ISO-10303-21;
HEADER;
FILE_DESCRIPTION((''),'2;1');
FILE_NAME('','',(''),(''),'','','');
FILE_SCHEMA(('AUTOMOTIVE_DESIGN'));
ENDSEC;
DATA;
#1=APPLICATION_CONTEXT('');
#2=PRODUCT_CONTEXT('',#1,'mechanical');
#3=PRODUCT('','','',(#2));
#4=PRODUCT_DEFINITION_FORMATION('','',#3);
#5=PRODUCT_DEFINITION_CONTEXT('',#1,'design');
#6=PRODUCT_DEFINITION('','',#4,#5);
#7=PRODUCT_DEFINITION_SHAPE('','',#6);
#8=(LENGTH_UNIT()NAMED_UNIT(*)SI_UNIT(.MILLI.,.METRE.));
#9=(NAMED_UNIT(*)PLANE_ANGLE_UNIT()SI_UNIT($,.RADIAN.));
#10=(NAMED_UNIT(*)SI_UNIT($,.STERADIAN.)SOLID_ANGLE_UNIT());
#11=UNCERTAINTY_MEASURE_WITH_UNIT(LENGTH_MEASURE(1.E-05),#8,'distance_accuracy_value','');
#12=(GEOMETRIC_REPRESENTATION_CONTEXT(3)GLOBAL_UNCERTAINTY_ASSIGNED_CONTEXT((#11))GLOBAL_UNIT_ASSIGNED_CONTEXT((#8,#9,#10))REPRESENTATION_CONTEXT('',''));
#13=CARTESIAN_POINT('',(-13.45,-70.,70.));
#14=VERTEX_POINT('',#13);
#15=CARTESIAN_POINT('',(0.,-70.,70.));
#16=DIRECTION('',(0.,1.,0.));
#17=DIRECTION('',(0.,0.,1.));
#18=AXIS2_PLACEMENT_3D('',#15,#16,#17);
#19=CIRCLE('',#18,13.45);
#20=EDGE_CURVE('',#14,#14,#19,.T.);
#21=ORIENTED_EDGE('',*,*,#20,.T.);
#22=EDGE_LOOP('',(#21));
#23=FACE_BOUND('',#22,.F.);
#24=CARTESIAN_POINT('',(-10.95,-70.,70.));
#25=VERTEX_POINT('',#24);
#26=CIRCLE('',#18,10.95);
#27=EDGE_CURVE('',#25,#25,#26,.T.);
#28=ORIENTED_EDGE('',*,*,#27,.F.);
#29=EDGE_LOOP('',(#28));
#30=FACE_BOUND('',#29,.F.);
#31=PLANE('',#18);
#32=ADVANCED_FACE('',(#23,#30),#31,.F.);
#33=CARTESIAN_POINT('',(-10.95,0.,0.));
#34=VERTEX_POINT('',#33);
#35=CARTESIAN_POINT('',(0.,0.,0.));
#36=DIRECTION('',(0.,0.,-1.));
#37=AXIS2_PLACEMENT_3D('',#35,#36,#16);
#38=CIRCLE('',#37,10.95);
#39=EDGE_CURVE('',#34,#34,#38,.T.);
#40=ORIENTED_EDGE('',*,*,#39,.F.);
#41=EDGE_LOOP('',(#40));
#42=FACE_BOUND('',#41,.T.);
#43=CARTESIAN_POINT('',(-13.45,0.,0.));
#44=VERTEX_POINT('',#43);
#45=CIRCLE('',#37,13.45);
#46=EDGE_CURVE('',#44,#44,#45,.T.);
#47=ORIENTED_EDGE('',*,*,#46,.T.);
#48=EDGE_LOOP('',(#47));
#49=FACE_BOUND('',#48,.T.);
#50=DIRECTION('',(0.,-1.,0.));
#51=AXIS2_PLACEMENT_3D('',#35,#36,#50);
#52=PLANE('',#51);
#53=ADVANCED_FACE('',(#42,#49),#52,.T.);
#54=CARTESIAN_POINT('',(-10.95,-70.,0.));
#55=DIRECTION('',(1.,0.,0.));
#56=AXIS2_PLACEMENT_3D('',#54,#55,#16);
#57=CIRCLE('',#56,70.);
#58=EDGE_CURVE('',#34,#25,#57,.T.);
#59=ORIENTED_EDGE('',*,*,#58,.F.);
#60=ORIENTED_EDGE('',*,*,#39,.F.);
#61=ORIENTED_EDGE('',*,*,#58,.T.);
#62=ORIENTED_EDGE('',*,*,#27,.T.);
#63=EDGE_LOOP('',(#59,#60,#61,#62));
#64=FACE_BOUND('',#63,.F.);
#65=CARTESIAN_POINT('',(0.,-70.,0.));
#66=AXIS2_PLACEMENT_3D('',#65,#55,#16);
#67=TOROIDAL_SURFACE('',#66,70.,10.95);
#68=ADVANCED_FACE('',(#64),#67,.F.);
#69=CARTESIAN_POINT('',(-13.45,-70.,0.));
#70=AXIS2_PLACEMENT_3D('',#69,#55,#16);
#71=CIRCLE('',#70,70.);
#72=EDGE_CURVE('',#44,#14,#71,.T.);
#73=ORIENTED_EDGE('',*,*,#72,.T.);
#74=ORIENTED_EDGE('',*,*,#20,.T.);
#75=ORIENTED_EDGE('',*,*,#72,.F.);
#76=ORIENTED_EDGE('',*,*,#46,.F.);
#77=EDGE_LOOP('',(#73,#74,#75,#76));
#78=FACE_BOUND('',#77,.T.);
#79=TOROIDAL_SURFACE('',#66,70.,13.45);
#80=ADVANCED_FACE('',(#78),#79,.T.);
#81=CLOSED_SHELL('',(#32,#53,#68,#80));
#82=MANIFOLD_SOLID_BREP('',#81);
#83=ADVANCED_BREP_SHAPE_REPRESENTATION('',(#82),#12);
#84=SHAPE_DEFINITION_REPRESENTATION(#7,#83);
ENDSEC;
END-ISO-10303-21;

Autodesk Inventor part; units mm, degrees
ref_plane "Start Plane" through (0, 0, 0) normal (0, 0, 1) x (1, 0, 0)
ref_plane "End Plane" through (0, 0, 109.9557) normal (0, 0, 1) x (1, 0, 0)
sketch "Sketch" plane through (0, 0, 0) normal (0, 0, -1) x (-1, 0, 0)
  circle A0 centre (0, 0) radius 10.95
  circle A1 centre (0, 0) radius 13.45
  dimension "d0" = 26.9
  dimension "d1" = 2.5
sketch "Sketch3" plane through (0, 0, 0) normal (0, 0, 1) x (1, 0, 0)
  line L0 (0, 0) -> (10, 0)
ref_plane "Work Plane3" through (0, 0, 0) normal (0, -1, 0) x (1, 0, 0)
ref_plane "Orientation Work Plane" through (0, 0, 0) normal (0, 0, -1) x (-1, 0, 0)
sketch3d "Sweep Path"
  arc A0 (0, 0, 0) -> (0, -70, 70) centre (0, -70, 0) ccw
sweep "Body" add profiles "Sketch" path "Sweep Path"
sketch "Sketch4" plane through (0, 0, 0) normal (0, -1, 0) x (1, 0, 0)
  line L0 (-2, 0) -> (12, 0) projected
  line L1 (-18.83, 109.9557) -> (18.83, 109.9557) projected
  dimension "d7" = 109.9557
equation "\"d0\" = G_H"
equation "\"d1\" = G_T"
equation "\"G_H\" = 26.9"
equation "\"G_T\" = 2.5"
equation "\"G_L\" = d7"
equation "\"G_OFFSET_START\" = 0"
equation "\"G_OFFSET_END\" = 0"
equation "\"d5\" = G_OFFSET_END + B_L"
equation "\"B_L\" = 109.955743"
properties part number "ISO 4019 - 26.9x2.5 - 109,96" material "Steel"
